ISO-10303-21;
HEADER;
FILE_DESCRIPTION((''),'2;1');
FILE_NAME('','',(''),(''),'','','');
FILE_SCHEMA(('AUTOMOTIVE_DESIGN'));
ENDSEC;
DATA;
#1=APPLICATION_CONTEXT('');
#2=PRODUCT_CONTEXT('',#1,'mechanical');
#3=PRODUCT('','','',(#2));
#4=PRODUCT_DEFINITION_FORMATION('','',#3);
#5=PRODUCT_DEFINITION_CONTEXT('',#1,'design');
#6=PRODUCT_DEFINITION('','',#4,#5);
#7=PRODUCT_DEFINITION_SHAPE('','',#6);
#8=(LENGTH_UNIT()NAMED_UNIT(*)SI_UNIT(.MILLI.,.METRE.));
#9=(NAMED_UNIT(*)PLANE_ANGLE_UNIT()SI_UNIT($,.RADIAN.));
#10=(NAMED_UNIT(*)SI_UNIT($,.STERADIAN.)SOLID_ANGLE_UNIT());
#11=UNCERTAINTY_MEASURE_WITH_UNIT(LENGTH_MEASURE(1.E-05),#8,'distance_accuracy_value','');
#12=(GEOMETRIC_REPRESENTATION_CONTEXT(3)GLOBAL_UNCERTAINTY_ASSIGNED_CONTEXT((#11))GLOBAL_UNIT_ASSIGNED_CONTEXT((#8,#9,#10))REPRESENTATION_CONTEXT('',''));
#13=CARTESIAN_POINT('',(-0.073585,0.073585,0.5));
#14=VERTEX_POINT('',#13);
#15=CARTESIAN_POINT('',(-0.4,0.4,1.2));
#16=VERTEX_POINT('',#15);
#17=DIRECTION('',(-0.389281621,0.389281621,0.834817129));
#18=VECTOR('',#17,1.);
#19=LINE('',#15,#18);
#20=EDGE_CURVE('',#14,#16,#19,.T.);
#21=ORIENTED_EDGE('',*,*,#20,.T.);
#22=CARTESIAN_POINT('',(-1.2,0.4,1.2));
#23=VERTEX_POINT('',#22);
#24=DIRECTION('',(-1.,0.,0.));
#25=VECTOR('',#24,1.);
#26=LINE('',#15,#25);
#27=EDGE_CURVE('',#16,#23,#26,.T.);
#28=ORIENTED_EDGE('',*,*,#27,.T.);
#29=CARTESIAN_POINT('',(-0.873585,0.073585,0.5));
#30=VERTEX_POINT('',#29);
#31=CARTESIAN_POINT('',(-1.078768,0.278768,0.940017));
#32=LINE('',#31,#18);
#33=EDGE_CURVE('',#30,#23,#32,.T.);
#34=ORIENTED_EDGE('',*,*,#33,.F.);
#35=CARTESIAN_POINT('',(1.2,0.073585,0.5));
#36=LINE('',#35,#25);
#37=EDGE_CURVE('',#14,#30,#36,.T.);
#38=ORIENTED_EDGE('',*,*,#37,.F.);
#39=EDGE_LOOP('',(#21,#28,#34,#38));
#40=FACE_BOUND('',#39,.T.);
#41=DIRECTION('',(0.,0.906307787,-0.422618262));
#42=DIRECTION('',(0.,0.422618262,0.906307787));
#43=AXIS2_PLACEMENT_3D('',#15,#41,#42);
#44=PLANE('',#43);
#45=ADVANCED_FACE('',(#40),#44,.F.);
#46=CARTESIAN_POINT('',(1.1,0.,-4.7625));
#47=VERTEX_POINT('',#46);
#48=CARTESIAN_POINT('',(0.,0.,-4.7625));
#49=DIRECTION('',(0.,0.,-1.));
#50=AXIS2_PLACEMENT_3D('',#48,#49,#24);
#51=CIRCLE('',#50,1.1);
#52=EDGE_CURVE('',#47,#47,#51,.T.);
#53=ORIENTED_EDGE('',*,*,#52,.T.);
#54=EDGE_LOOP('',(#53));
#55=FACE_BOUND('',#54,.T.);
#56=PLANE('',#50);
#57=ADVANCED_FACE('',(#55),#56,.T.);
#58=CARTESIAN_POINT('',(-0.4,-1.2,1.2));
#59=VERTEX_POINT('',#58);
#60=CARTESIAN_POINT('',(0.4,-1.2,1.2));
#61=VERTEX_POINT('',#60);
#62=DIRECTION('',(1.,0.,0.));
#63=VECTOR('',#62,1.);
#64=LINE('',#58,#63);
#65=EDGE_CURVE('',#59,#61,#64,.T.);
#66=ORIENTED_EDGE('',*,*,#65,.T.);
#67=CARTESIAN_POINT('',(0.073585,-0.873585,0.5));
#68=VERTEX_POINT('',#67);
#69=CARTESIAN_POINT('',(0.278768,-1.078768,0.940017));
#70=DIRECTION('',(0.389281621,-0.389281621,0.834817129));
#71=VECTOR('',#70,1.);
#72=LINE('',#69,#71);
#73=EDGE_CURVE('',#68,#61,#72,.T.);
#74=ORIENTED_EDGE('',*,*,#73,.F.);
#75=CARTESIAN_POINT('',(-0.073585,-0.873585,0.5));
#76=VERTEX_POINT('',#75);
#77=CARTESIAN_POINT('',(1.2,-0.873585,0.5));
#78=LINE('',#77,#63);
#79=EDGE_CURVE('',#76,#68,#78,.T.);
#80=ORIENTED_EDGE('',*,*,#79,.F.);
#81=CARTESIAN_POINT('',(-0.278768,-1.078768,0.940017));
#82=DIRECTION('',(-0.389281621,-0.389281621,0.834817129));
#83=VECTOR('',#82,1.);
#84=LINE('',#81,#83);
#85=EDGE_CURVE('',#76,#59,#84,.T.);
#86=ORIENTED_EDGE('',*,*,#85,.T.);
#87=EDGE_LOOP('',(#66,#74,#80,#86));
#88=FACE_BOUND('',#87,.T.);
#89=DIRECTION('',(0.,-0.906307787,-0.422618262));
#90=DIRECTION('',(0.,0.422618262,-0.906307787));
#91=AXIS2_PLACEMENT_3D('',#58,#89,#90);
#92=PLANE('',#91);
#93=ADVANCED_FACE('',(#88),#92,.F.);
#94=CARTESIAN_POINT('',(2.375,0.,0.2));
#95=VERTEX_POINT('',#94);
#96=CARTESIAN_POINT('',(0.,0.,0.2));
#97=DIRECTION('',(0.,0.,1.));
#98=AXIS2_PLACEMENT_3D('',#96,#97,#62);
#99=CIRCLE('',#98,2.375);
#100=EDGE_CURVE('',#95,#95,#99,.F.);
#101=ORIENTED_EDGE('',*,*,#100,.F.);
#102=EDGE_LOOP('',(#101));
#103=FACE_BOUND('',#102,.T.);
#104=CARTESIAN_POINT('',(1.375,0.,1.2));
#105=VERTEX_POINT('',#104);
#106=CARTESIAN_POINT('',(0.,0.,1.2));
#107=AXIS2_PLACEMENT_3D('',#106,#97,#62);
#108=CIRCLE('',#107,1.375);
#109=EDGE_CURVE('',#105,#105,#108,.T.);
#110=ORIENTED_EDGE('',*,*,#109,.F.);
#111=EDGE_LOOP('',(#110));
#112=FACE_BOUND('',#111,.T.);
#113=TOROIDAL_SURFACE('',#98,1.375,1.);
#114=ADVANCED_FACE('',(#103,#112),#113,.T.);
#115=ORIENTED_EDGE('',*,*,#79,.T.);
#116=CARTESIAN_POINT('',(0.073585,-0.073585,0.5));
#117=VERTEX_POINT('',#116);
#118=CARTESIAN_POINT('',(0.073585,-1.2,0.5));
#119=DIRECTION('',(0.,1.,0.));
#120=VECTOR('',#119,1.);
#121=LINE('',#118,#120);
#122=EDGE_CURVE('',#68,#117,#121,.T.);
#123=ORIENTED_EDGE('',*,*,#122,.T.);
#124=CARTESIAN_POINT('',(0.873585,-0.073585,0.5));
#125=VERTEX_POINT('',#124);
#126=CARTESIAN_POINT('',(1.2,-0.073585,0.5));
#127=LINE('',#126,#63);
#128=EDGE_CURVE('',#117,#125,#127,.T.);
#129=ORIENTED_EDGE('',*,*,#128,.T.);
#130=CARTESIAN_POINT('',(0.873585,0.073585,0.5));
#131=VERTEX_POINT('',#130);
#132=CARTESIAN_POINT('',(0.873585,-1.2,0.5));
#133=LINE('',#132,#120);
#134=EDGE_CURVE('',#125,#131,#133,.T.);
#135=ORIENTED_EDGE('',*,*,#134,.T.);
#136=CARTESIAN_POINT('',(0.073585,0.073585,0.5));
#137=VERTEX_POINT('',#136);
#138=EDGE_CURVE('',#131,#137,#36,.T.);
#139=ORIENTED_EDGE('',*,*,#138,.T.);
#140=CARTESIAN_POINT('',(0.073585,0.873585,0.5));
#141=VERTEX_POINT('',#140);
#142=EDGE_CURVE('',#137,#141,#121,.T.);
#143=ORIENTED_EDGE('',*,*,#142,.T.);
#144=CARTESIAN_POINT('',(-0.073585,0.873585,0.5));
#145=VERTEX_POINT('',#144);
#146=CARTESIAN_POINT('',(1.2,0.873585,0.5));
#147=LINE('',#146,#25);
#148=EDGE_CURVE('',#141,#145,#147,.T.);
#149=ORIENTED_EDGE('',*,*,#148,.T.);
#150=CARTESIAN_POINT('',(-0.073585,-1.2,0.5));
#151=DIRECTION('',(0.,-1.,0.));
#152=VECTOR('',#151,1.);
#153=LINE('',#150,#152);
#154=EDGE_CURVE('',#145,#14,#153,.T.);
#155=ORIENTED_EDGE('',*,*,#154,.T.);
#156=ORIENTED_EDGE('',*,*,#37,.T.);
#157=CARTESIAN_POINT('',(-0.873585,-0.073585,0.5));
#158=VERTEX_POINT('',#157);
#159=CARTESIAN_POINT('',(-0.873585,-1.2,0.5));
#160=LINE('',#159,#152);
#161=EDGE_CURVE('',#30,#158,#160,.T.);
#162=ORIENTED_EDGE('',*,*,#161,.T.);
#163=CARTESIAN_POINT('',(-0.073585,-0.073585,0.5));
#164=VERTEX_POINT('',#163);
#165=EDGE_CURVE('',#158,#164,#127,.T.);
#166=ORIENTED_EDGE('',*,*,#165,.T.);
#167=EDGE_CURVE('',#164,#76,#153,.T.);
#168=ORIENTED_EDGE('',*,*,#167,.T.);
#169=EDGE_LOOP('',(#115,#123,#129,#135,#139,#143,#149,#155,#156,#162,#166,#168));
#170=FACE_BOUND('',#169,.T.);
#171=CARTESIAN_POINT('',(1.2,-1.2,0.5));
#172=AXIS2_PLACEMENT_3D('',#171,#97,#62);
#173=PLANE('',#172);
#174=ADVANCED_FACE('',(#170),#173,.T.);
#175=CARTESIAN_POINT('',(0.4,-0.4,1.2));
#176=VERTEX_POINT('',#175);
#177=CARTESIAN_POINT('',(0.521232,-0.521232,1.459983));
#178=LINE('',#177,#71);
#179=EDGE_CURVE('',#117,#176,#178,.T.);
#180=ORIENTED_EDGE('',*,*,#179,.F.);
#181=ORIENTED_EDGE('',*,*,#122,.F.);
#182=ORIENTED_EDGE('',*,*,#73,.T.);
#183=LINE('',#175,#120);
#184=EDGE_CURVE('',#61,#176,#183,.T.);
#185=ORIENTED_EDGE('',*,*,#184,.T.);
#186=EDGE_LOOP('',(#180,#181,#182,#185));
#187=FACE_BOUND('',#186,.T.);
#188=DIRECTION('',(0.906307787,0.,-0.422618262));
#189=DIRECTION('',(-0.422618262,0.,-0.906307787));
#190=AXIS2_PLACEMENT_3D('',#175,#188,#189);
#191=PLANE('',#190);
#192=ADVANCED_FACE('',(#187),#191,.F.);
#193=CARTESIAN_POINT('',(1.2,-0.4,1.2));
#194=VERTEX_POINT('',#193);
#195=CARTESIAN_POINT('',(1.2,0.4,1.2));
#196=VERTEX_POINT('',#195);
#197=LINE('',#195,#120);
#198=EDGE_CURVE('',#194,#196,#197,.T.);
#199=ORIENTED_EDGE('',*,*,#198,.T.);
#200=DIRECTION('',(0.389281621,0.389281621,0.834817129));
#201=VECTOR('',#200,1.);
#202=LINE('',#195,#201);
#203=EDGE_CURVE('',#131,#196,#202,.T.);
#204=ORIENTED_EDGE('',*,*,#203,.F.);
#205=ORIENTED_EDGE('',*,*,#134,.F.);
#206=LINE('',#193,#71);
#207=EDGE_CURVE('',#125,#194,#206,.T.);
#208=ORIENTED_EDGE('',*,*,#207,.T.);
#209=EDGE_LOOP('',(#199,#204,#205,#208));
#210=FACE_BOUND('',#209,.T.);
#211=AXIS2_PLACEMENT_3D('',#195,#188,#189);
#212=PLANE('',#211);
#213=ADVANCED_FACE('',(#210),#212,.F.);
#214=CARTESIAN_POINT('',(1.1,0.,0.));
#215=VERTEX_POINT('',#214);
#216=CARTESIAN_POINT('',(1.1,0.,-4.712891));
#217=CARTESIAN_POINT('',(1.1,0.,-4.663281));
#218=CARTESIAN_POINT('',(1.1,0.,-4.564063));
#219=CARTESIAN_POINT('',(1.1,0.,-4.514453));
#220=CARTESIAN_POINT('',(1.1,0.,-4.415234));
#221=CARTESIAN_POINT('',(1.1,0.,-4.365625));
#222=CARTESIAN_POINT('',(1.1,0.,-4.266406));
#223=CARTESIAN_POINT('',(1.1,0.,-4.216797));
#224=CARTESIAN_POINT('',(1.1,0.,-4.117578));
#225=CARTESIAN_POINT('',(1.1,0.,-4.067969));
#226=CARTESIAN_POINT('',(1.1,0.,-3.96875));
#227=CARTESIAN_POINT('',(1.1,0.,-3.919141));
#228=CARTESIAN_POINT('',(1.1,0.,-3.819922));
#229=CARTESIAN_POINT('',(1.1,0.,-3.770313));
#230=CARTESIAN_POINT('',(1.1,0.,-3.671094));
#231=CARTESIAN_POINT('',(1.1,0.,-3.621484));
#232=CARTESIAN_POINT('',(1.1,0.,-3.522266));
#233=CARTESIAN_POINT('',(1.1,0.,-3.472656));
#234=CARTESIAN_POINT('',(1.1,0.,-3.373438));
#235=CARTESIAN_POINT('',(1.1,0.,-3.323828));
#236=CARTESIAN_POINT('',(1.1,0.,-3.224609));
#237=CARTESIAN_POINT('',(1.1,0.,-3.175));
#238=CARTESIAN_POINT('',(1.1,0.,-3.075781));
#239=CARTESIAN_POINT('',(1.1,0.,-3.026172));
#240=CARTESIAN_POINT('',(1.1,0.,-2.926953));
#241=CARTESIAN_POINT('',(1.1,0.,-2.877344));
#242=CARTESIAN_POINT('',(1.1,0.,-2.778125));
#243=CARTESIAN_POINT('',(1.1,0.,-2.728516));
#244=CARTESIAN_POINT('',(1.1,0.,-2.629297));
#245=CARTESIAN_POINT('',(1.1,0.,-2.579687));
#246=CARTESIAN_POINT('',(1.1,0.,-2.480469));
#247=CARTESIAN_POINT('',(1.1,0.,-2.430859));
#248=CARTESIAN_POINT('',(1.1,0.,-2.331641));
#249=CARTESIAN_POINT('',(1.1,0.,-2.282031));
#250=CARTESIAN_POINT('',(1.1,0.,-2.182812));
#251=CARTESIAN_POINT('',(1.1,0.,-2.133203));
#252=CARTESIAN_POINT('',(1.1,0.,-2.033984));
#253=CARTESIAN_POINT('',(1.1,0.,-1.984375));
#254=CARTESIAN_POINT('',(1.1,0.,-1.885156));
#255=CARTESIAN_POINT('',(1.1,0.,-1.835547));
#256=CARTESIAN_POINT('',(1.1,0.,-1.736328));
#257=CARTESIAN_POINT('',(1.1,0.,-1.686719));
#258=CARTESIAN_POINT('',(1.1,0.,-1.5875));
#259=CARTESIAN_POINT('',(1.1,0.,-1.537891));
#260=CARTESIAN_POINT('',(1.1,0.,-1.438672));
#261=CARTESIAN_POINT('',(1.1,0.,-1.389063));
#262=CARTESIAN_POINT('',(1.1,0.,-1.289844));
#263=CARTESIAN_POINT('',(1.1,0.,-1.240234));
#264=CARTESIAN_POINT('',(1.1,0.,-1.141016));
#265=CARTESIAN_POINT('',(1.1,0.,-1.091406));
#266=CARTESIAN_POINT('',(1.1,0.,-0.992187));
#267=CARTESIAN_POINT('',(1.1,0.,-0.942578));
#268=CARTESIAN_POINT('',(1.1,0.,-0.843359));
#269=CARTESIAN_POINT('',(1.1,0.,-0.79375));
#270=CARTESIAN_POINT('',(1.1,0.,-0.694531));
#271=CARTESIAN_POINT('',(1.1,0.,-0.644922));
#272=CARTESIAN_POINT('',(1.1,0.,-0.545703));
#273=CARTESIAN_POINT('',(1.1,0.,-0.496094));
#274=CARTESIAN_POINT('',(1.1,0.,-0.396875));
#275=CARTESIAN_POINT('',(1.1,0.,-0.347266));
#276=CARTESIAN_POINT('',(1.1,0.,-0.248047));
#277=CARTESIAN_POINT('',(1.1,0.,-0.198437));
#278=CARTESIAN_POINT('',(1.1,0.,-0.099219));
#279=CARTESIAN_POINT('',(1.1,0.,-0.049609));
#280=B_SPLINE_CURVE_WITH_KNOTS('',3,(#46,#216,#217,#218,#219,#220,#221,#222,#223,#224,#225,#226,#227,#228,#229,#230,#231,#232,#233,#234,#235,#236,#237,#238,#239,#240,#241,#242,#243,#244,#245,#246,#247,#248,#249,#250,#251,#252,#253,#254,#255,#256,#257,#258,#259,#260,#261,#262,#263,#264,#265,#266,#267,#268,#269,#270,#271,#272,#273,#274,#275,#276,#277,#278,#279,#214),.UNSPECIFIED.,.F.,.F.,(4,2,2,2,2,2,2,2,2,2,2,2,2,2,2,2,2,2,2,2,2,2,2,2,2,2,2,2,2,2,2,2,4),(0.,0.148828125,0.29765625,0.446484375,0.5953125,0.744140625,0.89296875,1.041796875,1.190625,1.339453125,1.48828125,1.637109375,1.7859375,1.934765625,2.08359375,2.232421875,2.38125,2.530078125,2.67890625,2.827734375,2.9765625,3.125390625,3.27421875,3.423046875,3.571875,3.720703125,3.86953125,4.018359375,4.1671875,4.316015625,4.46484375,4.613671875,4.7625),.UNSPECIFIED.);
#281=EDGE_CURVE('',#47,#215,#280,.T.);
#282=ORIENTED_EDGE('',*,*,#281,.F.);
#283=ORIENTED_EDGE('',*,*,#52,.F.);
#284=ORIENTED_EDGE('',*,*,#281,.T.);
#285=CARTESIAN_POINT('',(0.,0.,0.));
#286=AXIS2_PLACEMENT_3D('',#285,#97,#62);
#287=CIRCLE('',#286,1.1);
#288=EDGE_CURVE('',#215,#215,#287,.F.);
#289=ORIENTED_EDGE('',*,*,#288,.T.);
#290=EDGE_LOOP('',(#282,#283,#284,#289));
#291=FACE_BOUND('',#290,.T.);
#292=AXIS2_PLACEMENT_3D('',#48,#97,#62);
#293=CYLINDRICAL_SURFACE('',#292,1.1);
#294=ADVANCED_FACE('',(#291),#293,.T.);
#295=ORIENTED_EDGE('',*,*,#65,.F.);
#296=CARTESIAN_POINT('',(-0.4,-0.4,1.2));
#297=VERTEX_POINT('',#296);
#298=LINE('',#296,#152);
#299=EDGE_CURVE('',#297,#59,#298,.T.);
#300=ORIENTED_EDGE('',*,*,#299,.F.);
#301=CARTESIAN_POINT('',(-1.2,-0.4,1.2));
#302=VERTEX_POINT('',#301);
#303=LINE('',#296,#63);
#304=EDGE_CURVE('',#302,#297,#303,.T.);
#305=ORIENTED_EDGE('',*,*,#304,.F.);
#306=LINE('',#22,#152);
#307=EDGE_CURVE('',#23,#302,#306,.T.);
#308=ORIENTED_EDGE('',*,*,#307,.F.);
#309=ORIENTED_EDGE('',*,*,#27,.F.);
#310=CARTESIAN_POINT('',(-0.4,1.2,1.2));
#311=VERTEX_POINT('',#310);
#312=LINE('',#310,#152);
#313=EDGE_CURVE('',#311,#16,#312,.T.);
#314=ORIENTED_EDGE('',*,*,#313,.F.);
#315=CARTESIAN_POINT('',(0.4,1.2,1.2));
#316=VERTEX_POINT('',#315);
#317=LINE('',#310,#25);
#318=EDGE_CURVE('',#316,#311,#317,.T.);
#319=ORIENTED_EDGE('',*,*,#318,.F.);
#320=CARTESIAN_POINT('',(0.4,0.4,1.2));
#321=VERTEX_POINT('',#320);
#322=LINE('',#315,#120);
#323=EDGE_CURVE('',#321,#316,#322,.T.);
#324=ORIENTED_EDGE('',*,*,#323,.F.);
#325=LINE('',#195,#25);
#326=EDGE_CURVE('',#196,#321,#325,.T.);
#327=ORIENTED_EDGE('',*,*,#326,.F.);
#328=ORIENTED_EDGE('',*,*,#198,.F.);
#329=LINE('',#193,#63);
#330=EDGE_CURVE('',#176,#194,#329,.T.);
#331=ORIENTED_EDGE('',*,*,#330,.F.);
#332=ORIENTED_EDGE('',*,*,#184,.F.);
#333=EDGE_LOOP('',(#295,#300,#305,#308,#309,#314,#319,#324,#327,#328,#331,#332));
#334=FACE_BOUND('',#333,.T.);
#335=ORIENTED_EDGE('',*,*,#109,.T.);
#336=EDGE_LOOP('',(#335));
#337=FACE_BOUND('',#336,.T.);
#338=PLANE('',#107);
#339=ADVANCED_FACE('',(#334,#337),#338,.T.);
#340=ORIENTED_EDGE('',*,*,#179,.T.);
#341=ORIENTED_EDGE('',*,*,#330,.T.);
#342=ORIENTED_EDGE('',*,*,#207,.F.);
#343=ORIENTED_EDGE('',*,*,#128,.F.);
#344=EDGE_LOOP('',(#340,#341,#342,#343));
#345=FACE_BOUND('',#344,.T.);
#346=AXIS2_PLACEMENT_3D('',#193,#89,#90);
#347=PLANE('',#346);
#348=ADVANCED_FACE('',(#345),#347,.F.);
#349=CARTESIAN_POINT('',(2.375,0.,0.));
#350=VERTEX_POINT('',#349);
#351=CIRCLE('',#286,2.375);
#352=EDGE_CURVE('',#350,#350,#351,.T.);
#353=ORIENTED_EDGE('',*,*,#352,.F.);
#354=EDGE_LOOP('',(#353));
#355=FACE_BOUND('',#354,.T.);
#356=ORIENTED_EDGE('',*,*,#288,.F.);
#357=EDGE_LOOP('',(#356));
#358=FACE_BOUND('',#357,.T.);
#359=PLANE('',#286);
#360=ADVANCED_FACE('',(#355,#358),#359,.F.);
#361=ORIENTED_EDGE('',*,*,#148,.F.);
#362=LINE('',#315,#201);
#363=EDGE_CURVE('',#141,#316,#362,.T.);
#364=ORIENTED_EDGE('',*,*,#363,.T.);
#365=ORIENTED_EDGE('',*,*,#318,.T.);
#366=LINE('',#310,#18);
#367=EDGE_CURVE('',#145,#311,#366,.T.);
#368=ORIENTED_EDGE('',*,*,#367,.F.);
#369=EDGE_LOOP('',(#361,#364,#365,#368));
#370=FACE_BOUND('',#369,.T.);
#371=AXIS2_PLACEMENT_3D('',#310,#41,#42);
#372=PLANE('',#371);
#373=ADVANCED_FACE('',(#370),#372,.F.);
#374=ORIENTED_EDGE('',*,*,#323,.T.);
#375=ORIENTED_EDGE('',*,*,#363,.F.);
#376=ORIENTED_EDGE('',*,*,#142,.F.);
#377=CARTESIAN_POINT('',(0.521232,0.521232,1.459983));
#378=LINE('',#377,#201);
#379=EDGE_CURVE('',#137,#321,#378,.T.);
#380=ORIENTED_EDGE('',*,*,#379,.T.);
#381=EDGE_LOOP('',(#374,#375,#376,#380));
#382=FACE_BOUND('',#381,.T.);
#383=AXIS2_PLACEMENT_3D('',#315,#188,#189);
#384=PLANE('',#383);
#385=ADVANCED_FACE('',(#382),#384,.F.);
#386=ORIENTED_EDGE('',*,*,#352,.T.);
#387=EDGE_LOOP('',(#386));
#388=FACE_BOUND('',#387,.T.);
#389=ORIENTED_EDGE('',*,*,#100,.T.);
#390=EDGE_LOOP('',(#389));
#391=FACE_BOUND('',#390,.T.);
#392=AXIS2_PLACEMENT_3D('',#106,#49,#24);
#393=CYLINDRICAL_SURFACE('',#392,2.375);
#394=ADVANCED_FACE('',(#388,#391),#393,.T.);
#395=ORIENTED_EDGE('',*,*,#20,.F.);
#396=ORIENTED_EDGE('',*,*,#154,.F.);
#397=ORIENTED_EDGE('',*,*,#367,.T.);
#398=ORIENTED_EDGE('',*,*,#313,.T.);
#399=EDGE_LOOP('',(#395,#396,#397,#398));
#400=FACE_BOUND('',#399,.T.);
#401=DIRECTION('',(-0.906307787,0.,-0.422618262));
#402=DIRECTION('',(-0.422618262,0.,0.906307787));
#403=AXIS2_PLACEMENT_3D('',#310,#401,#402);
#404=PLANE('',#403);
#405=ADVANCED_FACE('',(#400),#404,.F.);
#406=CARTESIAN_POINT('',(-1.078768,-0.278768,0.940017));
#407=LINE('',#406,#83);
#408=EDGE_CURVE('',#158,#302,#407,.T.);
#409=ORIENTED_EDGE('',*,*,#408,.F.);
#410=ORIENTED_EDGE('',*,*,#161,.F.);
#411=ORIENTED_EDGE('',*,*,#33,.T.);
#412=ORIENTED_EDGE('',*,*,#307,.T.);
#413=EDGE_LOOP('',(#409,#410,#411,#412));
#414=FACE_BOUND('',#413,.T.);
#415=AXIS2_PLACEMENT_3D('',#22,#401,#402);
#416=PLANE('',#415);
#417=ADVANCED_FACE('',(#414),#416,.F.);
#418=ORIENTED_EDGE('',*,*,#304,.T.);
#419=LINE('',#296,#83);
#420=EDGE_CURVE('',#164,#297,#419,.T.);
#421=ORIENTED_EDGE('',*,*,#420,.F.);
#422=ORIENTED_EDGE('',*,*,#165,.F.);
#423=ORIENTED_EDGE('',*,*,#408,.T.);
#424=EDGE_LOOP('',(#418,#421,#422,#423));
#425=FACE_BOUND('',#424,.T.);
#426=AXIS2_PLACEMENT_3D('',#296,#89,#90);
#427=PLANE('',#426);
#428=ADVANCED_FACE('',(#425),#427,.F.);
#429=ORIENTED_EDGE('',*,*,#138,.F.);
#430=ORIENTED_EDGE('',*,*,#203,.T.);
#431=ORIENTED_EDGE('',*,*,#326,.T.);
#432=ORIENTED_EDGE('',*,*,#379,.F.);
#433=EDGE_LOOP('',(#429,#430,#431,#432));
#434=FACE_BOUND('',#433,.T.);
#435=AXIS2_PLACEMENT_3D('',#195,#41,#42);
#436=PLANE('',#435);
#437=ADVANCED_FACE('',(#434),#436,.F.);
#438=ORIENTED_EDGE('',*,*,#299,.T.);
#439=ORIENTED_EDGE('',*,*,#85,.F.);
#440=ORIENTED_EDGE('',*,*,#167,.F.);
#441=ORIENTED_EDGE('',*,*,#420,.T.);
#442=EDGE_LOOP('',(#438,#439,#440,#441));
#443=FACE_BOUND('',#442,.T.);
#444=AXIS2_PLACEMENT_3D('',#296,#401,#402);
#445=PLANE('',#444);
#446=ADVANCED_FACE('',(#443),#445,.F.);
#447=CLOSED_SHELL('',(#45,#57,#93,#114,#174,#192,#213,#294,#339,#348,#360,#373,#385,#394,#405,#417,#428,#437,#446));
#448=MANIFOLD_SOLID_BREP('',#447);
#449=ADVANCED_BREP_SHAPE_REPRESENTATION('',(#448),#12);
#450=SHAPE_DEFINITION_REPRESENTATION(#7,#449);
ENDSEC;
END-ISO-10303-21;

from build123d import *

# Parameters (mm, degrees)
SKETCH1_R          = 2.375
EXTRUDE1_DEPTH     = 1.2
FILLET1_R          = 1
CUT_EXTRUDE1_DEPTH = 0.7
CUT_EXTRUDE1_DRAFT = -25
SKETCH3_R          = 1.1
EXTRUDE2_DEPTH     = 4.7625


with BuildPart() as part:
    # Sketch1 → Extrude1 (new body)
    with BuildSketch(Plane.XY):
        Circle(SKETCH1_R)
    extrude(amount=EXTRUDE1_DEPTH)

    # Fillet1
    fillet1_edges = [part.edges().sort_by_distance(p)[0] for p in [
        (-2.375, 0, 1.2),
    ]]
    fillet(fillet1_edges, radius=FILLET1_R)


with BuildPart() as cut_extrude1_tool:
    # Sketch2 → Cut-Extrude1 (with draft: the straight prism first)
    with BuildSketch(Plane.XY.offset(1.2)):
        Polygon((-0.4, 0.4), (-1.2, 0.4), (-1.2, -0.4), (-0.4, -0.4), (-0.4, -1.2), (0.4, -1.2), (0.4, -0.4), (1.2, -0.4), (1.2, 0.4), (0.4, 0.4), (0.4, 1.2), (-0.4, 1.2), align=None)
    extrude(amount=-CUT_EXTRUDE1_DEPTH)
    # Cut-Extrude1: the draft: its side faces are tilted about the plane it starts from
    cut_extrude1_sides = [cut_extrude1_tool.faces().sort_by_distance(p)[0] for p in [
        (-0.8, 0.4, 0.85),
        (-1.2, 0, 0.85),
        (-0.8, -0.4, 0.85),
        (-0.4, -0.8, 0.85),
        (0, -1.2, 0.85),
        (0.4, -0.8, 0.85),
        (0.8, -0.4, 0.85),
        (1.2, 0, 0.85),
        (0.8, 0.4, 0.85),
        (0.4, 0.8, 0.85),
        (0, 1.2, 0.85),
        (-0.4, 0.8, 0.85),
    ]]
    draft(cut_extrude1_sides, Plane.XY.offset(1.2), CUT_EXTRUDE1_DRAFT)


with BuildPart() as part_1:
    add(part.part)

    # Cut-Extrude1: cut by cut_extrude1_tool
    add(cut_extrude1_tool.part, mode=Mode.SUBTRACT)

    # Sketch3 → Extrude2 (add)
    with BuildSketch(Plane(origin=(0, 0, 0), x_dir=(-1, 0, 0), z_dir=(0, 0, -1))):
        with Locations(Location((0, 0, 0), (0, 0, 180))):
            Circle(SKETCH3_R)
    extrude(amount=EXTRUDE2_DEPTH)


solid = part_1.part
